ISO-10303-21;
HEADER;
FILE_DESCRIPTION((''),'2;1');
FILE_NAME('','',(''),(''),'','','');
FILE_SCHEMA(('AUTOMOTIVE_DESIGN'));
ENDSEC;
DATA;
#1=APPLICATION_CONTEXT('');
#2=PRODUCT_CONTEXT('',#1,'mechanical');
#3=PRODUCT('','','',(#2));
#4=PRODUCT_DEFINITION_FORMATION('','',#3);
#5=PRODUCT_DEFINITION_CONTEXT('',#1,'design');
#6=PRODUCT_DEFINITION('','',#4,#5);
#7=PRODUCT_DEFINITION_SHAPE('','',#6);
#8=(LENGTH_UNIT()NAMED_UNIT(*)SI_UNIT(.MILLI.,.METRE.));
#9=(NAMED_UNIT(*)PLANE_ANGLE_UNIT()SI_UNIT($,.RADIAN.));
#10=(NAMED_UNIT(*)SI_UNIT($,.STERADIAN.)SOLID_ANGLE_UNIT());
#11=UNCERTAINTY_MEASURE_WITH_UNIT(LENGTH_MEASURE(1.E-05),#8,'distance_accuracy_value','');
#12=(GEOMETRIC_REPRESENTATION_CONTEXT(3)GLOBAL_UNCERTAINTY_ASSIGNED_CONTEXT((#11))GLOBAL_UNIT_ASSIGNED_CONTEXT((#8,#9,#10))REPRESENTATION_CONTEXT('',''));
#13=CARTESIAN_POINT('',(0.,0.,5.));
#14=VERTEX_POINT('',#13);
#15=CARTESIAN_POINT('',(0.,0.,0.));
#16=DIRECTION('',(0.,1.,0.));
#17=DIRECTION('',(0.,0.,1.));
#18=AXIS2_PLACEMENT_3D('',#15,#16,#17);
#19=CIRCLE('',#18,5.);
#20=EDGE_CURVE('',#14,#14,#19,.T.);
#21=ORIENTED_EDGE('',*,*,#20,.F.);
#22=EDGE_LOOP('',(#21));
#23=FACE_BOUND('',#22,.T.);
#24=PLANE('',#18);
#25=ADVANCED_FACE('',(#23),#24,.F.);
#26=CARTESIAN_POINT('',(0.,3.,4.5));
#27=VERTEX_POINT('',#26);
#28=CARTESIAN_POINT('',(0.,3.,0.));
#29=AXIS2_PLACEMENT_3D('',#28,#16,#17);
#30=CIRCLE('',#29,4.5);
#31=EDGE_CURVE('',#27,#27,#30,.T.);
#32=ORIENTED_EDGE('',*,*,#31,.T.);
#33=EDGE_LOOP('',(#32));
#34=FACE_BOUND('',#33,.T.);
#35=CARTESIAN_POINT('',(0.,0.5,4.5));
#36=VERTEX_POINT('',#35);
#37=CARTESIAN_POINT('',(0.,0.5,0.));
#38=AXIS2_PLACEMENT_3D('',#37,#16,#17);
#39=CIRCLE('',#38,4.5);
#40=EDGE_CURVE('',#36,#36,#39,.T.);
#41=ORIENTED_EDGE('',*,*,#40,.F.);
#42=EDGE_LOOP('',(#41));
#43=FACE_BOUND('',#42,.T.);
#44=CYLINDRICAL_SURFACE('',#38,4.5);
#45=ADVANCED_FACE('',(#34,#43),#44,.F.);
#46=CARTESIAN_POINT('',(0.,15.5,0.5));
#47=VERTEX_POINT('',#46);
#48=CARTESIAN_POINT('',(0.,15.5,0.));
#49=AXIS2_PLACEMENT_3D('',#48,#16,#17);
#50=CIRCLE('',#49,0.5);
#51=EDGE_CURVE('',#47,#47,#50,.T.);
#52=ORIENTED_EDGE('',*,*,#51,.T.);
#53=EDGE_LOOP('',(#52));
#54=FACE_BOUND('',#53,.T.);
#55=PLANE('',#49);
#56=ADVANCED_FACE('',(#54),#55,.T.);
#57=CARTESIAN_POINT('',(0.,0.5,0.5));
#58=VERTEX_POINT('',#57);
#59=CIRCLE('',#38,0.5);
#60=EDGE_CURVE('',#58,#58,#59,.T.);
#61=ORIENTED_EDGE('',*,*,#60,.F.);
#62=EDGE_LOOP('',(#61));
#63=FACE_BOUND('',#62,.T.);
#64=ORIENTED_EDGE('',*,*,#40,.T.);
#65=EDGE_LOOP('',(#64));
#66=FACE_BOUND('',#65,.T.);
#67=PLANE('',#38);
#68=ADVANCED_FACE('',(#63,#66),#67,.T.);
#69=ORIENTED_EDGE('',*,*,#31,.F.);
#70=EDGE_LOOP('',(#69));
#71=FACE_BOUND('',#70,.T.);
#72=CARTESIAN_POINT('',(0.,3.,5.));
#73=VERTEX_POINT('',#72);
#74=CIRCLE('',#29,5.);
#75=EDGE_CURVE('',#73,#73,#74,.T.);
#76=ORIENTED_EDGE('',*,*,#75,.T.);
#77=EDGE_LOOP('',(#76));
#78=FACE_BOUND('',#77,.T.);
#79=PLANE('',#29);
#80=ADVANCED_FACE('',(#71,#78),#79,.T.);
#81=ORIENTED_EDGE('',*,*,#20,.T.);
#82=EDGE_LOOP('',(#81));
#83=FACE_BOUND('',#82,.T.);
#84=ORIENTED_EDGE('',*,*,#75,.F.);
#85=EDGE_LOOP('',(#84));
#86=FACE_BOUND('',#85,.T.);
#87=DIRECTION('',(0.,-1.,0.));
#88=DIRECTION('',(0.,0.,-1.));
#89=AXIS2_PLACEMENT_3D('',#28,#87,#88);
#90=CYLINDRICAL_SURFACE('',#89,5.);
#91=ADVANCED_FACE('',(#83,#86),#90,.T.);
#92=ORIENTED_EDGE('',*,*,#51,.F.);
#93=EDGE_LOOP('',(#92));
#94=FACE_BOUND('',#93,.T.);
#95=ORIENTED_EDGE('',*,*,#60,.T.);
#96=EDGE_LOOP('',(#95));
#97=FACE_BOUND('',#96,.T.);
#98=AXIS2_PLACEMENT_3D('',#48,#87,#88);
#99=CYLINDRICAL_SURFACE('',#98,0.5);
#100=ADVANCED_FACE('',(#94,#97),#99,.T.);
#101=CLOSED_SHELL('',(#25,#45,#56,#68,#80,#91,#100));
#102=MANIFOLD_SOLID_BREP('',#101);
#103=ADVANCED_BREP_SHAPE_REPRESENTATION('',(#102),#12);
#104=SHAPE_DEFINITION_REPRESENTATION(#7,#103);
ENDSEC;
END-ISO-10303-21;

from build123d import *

# Parameters (mm, degrees)
SKETCH1_R           = 5
BOSS_EXTRUDE1_DEPTH = 3
SKETCH2_R           = 4.5
CUT_EXTRUDE1_DEPTH  = 2.5
SKETCH3_R           = 0.5
BOSS_EXTRUDE2_DEPTH = 15


with BuildPart() as part:
    # Sketch1 → Boss-Extrude1 (new body)
    with BuildSketch(Plane(origin=(0, 0, 0), x_dir=(1, 0, 0), z_dir=(0, 1, 0))):
        with Locations(Location((0, 0, 0), (0, 0, 270))):
            Circle(SKETCH1_R)
    extrude(amount=BOSS_EXTRUDE1_DEPTH)

    # Sketch2 → Cut-Extrude1 (cut)
    with BuildSketch(Plane(origin=(0, 3, 0), x_dir=(1, 0, 0), z_dir=(0, 1, 0))):
        with Locations(Location((0, 0, 0), (0, 0, 270))):
            Circle(SKETCH2_R)
    extrude(amount=-CUT_EXTRUDE1_DEPTH, mode=Mode.SUBTRACT)

    # Sketch3 → Boss-Extrude2 (add)
    with BuildSketch(Plane(origin=(0, 0.5, 0), x_dir=(1, 0, 0), z_dir=(0, 1, 0))):
        with Locations(Location((0, 0, 0), (0, 0, 270))):
            Circle(SKETCH3_R)
    extrude(amount=BOSS_EXTRUDE2_DEPTH)


solid = part.part
